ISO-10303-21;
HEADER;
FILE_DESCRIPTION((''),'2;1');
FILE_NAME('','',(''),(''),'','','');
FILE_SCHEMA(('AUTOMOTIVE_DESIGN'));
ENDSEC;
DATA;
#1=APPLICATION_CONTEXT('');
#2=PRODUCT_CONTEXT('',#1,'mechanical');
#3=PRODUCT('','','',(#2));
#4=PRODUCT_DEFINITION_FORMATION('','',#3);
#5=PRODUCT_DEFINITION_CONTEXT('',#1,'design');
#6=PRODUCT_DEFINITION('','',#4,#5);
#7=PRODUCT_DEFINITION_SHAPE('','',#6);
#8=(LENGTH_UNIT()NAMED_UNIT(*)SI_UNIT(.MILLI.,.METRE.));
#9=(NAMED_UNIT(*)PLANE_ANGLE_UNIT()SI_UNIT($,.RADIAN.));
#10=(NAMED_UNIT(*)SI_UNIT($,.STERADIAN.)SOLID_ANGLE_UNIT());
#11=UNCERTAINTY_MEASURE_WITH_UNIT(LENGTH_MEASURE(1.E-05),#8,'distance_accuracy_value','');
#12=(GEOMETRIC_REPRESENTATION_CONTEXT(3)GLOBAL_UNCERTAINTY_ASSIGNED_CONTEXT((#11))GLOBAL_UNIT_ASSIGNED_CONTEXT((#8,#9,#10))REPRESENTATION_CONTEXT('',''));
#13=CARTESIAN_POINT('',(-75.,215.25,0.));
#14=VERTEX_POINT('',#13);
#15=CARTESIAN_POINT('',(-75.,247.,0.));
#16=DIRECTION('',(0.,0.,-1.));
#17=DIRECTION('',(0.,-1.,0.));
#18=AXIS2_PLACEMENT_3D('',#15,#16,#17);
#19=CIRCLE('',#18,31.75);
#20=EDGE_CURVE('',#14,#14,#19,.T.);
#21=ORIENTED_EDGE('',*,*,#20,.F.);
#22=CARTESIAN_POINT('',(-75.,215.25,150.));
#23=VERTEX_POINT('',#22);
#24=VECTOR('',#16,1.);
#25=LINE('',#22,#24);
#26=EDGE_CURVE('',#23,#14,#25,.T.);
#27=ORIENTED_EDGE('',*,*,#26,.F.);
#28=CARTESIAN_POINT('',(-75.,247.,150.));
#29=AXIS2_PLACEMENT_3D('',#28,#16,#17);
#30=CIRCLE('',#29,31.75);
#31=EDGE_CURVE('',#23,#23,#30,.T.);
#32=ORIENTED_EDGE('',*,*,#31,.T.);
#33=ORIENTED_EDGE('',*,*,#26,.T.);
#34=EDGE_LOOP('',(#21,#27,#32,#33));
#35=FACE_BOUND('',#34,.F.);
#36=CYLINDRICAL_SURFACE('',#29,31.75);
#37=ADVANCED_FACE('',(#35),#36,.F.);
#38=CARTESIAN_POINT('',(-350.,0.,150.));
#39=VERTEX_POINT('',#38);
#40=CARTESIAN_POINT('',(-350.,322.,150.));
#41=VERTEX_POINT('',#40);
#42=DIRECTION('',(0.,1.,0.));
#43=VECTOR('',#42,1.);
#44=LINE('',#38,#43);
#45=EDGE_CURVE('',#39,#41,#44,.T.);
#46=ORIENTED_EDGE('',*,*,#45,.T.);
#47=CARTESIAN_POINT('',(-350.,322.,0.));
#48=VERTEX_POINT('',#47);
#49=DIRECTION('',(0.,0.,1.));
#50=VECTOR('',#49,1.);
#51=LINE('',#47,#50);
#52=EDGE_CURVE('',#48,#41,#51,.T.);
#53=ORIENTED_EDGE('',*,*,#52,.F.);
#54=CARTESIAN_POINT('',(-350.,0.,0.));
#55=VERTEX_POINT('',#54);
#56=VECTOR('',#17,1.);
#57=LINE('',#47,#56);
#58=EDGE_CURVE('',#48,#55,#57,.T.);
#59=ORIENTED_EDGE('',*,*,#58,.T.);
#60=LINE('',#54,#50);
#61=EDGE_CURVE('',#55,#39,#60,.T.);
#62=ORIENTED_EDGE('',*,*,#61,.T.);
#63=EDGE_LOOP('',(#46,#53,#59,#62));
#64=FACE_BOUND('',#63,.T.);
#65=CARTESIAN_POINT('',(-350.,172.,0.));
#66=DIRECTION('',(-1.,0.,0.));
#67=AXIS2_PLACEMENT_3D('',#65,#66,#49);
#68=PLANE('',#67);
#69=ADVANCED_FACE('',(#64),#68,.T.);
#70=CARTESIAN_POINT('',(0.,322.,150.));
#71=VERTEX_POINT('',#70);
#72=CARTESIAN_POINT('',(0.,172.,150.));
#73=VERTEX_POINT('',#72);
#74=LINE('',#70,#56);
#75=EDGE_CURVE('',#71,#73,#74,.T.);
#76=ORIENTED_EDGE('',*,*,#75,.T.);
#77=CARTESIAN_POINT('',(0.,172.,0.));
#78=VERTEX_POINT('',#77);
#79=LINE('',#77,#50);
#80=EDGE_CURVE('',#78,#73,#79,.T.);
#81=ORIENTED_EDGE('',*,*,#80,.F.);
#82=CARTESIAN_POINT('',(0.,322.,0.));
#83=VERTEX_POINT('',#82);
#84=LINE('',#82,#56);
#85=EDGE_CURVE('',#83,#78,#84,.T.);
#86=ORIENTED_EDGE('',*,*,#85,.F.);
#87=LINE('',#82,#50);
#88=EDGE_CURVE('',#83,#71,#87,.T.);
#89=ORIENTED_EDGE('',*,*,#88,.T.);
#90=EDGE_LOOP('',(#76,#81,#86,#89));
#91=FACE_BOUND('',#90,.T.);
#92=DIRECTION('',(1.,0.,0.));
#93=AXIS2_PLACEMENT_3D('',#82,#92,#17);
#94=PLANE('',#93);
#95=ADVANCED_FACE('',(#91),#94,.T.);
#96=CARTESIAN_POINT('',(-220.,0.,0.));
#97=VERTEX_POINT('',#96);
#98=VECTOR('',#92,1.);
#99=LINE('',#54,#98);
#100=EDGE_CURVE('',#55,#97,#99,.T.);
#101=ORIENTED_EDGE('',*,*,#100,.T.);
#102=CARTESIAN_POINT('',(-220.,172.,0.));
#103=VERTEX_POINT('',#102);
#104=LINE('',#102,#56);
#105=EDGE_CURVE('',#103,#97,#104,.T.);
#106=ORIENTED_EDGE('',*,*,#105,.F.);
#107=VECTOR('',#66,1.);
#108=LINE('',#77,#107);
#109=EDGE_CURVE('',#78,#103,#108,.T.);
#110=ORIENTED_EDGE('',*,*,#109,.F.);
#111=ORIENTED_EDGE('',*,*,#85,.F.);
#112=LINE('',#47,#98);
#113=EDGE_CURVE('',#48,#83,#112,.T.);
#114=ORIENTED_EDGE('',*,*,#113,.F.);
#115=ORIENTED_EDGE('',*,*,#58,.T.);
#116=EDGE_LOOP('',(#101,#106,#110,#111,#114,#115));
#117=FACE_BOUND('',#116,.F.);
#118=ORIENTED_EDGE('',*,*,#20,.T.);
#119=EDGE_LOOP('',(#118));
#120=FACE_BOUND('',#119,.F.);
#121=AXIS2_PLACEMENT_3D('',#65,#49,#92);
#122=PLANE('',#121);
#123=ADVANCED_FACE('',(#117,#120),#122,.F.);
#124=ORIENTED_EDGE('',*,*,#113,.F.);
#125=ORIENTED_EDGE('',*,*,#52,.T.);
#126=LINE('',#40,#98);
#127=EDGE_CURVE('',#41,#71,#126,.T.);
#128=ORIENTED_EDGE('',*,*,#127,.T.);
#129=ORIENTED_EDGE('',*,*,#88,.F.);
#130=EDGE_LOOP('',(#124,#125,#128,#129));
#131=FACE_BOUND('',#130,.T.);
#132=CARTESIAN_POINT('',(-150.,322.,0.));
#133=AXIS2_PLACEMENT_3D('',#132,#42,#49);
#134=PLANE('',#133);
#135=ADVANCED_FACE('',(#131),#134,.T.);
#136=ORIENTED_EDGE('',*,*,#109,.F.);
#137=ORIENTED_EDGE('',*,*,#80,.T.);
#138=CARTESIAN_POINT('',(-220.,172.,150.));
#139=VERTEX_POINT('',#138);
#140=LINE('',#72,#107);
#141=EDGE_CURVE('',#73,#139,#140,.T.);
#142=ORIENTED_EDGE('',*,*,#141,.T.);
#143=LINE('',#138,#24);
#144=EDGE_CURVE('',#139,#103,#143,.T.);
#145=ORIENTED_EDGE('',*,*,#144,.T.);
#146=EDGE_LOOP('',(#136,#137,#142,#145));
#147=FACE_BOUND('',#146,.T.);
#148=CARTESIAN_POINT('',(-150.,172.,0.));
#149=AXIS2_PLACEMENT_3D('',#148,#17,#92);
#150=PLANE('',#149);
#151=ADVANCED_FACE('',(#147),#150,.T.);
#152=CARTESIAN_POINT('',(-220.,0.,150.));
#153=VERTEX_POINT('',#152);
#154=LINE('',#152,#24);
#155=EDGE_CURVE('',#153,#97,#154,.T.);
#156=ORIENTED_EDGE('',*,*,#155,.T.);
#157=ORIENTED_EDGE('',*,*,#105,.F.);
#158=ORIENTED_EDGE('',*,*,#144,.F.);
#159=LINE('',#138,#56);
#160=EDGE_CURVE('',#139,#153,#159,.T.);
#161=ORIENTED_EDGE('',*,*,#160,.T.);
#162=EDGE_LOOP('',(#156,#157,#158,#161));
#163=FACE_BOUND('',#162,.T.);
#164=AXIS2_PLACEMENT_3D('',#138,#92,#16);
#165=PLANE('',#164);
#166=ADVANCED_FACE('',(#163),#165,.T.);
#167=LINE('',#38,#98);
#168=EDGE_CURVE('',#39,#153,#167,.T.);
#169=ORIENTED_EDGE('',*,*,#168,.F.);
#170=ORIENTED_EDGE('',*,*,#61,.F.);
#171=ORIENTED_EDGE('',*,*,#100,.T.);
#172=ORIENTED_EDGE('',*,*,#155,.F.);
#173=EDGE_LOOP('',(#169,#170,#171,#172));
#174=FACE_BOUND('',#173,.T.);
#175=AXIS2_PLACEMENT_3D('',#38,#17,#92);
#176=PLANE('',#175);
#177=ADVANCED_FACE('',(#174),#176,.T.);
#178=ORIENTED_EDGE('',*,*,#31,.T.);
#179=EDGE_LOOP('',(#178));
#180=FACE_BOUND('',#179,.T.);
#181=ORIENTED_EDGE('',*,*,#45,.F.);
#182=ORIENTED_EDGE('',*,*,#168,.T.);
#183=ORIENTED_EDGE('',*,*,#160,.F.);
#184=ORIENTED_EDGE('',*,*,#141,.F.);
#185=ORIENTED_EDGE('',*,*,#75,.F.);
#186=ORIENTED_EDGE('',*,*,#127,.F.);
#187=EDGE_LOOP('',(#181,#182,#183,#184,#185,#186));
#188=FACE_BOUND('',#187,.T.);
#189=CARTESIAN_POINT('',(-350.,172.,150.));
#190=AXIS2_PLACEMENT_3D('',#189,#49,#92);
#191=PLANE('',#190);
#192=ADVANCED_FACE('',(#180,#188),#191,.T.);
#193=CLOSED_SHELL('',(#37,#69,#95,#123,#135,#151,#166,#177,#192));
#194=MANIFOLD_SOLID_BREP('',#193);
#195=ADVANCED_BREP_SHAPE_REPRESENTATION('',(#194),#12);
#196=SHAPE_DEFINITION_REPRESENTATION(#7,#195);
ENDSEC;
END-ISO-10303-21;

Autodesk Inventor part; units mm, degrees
ref_plane "YZ Plane" through (0, 0, 0) normal (1, 0, 0) x (0, 1, 0)
ref_plane "XZ Plane" through (0, 0, 0) normal (0, 1, 0) x (-1, 0, 0)
ref_plane "XY Plane" through (0, 0, 0) normal (0, 0, 1) x (1, 0, 0)
sketch "Sketch1" plane through (0, 0, 0) normal (0, 0, 1) x (1, 0, 0)
  line L0 (-150, 322) -> (0, 322)
  line L1 (0, 322) -> (0, 0)
  line L2 (0, 0) -> (-150, 0)
  line L3 (-150, 0) -> (-150, 322)
  dimension "d0" = 150
  dimension "d1" = 322
extrude "Extrusion1" add sketch "Sketch1" along normal blind 150
sketch "Sketch2" plane through (0, 0, 150) normal (0, 0, 1) x (1, 0, 0)
  line L0 (0, 0) -> (0, 322) projected
  line L1 (0, 322) -> (-150, 322) projected
  point P0 (-75, 247)
  dimension "d4" = 75
  dimension "d5" = 75
hole "Hole1" at (-75, 247, 150) direction (0, 0, -1) diameter 63.5 end through all
sketch "Sketch3" plane through (-150, 0, 0) normal (-1, 0, 0) x (0, 0, 1)
  line L0 (0, 0) -> (0, 322) projected
  line L1 (150, 322) -> (150, 0) projected
  line L2 (0, 322) -> (150, 322)
  line L3 (150, 322) -> (150, 172)
  line L4 (150, 172) -> (0, 172)
  line L5 (0, 172) -> (0, 322)
  dimension "d13" = 150
extrude "Extrusion2" add sketch "Sketch3" along normal blind 200
sketch "Sketch4" plane through (-150, 0, 0) normal (0, -1, 0) x (1, 0, 0)
  line L0 (150, 0) -> (0, 0) projected
  line L1 (0, 150) -> (150, 150) projected
  line L2 (0, 0) -> (150, 0)
  line L3 (150, 0) -> (150, 150)
  line L4 (150, 150) -> (0, 150)
  line L5 (0, 150) -> (0, 0)
extrude "Extrusion3" cut sketch "Sketch4" against normal blind 172
sketch "Sketch5" plane through (-350, 172, 150) normal (0, -1, 0) x (1, 0, 0)
  line L0 (0, -150) -> (0, 0) projected
  line L1 (0, -150) -> (350, -150) projected
  line L2 (0, 0) -> (130, 0)
  line L3 (130, 0) -> (130, -150)
  line L4 (130, -150) -> (0, -150)
  line L5 (0, -150) -> (0, 0)
  dimension "d18" = 130
extrude "Extrusion4" add sketch "Sketch5" along normal blind 172
properties part number "stand"
